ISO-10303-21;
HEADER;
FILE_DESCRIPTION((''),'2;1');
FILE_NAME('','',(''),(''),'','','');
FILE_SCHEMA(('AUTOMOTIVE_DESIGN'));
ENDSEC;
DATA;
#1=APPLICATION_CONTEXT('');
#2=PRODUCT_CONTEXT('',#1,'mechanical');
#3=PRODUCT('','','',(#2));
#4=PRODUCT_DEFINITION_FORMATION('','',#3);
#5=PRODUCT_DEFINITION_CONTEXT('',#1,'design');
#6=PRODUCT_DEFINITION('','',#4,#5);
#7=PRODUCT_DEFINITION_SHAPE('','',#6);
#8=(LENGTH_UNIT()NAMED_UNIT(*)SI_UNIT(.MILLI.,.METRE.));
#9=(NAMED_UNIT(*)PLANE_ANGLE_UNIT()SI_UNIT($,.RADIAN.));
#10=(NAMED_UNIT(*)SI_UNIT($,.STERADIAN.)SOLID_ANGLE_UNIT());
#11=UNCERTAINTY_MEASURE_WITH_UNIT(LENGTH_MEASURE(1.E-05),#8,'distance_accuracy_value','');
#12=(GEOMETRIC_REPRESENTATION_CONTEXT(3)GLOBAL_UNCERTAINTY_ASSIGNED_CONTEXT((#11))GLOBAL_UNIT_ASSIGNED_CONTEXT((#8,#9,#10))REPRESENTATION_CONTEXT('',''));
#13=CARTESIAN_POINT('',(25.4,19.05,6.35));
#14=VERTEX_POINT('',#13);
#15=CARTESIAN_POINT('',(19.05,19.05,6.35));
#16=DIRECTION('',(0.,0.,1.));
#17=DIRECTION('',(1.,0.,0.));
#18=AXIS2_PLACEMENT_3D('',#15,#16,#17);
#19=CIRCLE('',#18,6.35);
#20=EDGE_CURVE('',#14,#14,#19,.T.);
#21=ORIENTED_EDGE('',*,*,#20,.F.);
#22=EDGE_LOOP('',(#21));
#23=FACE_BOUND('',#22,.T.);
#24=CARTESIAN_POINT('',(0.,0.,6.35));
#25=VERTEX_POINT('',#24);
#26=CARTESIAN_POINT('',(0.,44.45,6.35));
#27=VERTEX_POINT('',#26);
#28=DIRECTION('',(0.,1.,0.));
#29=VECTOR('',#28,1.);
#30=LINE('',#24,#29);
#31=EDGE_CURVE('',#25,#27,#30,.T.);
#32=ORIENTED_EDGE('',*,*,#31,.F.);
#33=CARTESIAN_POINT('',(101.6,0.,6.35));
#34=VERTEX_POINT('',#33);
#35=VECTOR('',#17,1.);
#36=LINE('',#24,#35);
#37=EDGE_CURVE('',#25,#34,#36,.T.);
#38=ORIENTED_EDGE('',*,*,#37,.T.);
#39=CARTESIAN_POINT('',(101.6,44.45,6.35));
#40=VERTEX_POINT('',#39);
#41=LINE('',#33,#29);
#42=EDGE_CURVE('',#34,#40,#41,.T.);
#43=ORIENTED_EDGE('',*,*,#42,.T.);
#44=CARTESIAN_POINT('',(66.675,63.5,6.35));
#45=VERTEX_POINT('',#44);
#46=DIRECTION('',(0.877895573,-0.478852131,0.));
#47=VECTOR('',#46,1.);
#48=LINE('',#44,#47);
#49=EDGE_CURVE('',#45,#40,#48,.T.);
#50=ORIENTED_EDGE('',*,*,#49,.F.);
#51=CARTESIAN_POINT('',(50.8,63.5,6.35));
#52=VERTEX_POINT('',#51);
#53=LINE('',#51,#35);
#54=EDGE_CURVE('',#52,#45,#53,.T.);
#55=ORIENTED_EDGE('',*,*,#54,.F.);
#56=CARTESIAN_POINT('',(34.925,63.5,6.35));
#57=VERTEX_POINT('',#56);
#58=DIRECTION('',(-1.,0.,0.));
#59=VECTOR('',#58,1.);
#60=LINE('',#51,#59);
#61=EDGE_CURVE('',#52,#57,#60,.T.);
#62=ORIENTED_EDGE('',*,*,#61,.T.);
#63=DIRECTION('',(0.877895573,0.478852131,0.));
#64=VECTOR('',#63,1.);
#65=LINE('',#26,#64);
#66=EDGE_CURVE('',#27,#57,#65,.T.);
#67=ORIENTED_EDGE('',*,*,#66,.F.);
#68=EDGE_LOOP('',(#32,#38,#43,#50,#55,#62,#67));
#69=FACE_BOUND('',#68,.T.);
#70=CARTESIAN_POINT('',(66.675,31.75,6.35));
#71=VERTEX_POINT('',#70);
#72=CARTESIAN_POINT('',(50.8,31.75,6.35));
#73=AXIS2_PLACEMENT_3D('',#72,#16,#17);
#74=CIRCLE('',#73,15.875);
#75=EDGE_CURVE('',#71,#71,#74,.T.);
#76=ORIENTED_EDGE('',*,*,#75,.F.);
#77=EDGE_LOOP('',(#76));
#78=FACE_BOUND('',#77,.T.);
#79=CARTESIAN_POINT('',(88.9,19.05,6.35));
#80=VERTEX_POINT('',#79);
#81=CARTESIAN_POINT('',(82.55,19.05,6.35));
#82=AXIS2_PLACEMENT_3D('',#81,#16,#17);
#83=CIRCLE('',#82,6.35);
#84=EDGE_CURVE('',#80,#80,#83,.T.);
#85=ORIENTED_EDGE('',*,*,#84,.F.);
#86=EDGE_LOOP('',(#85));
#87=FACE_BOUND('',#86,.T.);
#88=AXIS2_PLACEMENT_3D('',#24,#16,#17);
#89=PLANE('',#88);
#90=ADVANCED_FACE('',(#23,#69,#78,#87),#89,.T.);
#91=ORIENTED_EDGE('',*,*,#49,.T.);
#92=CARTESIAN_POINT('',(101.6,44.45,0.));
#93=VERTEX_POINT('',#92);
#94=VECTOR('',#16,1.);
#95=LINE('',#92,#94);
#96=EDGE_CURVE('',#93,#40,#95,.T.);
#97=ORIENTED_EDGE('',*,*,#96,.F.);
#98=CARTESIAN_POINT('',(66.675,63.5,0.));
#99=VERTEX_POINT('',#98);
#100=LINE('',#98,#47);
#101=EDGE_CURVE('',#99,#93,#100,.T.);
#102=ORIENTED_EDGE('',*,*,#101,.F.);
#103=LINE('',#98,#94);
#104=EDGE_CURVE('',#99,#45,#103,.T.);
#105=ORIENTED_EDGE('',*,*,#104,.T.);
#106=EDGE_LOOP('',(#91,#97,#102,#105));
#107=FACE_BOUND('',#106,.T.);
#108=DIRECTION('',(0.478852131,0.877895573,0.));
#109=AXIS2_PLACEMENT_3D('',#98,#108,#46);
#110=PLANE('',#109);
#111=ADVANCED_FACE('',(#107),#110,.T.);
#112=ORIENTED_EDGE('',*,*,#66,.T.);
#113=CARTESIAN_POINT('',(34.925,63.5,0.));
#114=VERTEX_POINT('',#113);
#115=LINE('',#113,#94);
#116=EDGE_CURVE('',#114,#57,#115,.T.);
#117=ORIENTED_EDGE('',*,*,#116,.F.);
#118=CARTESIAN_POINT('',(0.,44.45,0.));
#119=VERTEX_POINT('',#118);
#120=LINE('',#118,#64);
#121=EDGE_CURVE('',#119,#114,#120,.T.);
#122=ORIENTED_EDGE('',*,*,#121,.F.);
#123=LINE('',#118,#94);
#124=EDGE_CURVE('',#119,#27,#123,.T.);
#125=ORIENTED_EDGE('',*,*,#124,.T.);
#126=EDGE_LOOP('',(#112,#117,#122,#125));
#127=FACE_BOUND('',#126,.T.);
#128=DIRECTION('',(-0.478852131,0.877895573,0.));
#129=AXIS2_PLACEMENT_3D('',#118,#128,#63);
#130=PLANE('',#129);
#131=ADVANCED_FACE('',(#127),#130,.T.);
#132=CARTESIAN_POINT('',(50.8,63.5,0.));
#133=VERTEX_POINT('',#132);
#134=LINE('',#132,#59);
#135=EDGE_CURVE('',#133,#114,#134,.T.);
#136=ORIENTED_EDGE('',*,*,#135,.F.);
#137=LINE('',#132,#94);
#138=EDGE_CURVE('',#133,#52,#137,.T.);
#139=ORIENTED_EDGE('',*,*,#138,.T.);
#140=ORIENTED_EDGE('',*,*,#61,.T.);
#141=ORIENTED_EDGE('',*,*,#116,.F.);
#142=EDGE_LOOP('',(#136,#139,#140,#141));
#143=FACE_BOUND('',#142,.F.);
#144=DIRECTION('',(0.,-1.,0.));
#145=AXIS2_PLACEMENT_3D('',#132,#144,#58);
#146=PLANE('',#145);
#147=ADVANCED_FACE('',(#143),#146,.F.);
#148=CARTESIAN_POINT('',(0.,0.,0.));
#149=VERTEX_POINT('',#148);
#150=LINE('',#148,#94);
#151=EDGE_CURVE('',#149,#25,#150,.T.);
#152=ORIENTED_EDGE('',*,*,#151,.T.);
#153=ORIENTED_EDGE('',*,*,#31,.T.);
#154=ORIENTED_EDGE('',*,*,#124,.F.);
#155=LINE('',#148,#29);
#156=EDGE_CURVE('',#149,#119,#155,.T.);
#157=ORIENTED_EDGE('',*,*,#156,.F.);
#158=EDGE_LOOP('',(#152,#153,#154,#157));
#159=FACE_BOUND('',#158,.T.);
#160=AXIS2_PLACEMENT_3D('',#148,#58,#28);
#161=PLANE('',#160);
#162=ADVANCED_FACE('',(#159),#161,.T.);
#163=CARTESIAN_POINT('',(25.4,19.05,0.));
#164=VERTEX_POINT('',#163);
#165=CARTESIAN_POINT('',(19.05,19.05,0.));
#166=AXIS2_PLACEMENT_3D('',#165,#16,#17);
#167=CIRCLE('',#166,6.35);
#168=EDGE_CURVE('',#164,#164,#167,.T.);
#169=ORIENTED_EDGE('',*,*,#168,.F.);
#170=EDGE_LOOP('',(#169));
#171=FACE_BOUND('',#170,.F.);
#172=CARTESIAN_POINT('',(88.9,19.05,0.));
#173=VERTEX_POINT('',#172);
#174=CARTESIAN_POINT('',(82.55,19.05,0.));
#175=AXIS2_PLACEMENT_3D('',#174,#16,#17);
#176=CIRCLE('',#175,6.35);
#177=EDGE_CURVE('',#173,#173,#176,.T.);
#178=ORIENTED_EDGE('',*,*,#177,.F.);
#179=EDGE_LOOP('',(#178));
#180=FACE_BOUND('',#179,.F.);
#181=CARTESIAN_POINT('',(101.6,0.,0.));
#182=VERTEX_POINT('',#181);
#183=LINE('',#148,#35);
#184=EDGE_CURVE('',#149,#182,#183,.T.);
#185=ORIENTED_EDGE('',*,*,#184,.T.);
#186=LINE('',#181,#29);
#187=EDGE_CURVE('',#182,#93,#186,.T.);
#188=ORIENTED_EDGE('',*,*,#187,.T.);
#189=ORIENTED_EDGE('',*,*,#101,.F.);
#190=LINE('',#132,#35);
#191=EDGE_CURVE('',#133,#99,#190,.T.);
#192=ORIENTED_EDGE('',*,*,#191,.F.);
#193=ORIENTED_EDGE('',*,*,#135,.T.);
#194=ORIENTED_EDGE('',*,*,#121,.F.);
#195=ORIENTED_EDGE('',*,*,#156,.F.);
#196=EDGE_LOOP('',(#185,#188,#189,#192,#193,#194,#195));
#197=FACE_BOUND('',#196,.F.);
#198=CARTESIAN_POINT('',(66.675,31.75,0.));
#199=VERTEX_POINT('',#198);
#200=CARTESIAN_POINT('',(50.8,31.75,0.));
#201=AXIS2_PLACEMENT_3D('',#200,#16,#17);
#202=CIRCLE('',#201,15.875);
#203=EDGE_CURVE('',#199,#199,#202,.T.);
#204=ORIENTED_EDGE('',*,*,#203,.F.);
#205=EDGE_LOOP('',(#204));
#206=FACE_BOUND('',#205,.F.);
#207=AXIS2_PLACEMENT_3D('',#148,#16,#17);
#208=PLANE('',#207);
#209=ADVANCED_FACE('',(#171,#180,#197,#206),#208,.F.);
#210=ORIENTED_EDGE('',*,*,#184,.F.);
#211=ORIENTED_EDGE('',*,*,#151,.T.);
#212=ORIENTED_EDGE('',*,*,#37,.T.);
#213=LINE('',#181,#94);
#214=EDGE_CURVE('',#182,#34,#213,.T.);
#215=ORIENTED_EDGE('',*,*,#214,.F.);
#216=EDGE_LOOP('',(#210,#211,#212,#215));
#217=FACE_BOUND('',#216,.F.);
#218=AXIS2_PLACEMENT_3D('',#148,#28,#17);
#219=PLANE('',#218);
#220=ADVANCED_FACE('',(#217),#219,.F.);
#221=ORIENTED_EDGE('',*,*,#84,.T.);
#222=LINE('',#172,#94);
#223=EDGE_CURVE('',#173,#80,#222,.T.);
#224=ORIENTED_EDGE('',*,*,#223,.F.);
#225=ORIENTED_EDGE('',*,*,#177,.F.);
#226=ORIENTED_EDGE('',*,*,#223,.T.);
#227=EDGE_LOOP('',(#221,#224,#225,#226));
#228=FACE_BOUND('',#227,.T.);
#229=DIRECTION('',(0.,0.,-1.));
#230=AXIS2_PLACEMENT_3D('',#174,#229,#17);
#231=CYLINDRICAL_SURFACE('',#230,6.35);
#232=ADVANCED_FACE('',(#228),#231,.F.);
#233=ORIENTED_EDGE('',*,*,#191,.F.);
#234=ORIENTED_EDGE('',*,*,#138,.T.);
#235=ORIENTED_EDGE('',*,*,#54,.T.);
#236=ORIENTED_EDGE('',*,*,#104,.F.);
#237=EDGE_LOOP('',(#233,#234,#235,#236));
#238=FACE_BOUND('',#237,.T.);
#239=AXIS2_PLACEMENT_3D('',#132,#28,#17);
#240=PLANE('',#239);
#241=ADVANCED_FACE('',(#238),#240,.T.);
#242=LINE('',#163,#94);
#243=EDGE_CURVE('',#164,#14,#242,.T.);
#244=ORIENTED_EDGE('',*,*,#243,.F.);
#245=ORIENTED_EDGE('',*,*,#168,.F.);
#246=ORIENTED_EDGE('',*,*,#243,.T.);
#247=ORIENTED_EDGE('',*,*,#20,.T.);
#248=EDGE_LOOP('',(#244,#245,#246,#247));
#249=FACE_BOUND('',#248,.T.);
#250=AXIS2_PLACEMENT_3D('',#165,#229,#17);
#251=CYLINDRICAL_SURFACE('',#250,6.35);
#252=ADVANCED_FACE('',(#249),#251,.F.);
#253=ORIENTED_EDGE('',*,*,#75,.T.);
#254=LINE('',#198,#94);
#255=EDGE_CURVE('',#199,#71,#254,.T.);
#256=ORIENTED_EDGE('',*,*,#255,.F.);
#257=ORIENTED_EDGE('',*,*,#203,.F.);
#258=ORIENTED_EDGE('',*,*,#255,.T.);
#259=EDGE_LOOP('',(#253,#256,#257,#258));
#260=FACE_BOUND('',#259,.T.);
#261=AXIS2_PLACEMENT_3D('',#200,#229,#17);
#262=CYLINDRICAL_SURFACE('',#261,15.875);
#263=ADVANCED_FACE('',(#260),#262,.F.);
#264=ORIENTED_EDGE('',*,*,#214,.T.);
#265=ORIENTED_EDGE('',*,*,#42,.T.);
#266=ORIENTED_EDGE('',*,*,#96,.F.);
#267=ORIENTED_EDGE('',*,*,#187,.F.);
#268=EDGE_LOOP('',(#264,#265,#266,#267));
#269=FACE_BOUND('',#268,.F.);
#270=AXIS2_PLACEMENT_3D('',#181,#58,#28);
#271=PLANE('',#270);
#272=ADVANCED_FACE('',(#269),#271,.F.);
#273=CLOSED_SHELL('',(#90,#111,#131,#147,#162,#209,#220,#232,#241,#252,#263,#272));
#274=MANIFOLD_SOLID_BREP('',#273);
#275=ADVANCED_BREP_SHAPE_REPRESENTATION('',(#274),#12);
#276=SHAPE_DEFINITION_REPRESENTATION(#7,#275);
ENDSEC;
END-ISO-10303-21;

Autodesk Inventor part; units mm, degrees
ref_plane "YZ Plane" through (0, 0, 0) normal (1, 0, 0) x (0, 1, 0)
ref_plane "XZ Plane" through (0, 0, 0) normal (0, 1, 0) x (-1, 0, 0)
ref_plane "XY Plane" through (0, 0, 0) normal (0, 0, 1) x (1, 0, 0)
sketch "Sketch1" plane through (0, 0, 0) normal (0, 0, 1) x (1, 0, 0)
  line L0 (101.6, 0) -> (101.6, 44.45)
  line L1 (0, 0) -> (0, 44.45)
  line L2 (50.8, 63.5) -> (66.675, 63.5)
  line L3 (50.8, 63.5) -> (34.925, 63.5)
  line L4 (0, 44.45) -> (34.925, 63.5)
  line L5 (66.675, 63.5) -> (101.6, 44.45)
  circle A0 centre (50.8, 31.75) radius 15.875
  circle A1 centre (19.05, 19.05) radius 6.35
  circle A2 centre (82.55, 19.05) radius 6.35
  line L6 (0, 0) -> (101.6, 0)
  dimension "d1" = 44.45
  dimension "d3" = 44.45
  dimension "d5" = 15.875
  dimension "d6" = 15.875
  dimension "d8" = 31.75
  dimension "d11" = 12.7
  dimension "d14" = 12.7
  dimension "d15" = 101.6
extrude "Extrusion1" add sketch "Sketch1" along normal blind 6.35
properties part number "Assignment 1.3 - Positioning Stop"
